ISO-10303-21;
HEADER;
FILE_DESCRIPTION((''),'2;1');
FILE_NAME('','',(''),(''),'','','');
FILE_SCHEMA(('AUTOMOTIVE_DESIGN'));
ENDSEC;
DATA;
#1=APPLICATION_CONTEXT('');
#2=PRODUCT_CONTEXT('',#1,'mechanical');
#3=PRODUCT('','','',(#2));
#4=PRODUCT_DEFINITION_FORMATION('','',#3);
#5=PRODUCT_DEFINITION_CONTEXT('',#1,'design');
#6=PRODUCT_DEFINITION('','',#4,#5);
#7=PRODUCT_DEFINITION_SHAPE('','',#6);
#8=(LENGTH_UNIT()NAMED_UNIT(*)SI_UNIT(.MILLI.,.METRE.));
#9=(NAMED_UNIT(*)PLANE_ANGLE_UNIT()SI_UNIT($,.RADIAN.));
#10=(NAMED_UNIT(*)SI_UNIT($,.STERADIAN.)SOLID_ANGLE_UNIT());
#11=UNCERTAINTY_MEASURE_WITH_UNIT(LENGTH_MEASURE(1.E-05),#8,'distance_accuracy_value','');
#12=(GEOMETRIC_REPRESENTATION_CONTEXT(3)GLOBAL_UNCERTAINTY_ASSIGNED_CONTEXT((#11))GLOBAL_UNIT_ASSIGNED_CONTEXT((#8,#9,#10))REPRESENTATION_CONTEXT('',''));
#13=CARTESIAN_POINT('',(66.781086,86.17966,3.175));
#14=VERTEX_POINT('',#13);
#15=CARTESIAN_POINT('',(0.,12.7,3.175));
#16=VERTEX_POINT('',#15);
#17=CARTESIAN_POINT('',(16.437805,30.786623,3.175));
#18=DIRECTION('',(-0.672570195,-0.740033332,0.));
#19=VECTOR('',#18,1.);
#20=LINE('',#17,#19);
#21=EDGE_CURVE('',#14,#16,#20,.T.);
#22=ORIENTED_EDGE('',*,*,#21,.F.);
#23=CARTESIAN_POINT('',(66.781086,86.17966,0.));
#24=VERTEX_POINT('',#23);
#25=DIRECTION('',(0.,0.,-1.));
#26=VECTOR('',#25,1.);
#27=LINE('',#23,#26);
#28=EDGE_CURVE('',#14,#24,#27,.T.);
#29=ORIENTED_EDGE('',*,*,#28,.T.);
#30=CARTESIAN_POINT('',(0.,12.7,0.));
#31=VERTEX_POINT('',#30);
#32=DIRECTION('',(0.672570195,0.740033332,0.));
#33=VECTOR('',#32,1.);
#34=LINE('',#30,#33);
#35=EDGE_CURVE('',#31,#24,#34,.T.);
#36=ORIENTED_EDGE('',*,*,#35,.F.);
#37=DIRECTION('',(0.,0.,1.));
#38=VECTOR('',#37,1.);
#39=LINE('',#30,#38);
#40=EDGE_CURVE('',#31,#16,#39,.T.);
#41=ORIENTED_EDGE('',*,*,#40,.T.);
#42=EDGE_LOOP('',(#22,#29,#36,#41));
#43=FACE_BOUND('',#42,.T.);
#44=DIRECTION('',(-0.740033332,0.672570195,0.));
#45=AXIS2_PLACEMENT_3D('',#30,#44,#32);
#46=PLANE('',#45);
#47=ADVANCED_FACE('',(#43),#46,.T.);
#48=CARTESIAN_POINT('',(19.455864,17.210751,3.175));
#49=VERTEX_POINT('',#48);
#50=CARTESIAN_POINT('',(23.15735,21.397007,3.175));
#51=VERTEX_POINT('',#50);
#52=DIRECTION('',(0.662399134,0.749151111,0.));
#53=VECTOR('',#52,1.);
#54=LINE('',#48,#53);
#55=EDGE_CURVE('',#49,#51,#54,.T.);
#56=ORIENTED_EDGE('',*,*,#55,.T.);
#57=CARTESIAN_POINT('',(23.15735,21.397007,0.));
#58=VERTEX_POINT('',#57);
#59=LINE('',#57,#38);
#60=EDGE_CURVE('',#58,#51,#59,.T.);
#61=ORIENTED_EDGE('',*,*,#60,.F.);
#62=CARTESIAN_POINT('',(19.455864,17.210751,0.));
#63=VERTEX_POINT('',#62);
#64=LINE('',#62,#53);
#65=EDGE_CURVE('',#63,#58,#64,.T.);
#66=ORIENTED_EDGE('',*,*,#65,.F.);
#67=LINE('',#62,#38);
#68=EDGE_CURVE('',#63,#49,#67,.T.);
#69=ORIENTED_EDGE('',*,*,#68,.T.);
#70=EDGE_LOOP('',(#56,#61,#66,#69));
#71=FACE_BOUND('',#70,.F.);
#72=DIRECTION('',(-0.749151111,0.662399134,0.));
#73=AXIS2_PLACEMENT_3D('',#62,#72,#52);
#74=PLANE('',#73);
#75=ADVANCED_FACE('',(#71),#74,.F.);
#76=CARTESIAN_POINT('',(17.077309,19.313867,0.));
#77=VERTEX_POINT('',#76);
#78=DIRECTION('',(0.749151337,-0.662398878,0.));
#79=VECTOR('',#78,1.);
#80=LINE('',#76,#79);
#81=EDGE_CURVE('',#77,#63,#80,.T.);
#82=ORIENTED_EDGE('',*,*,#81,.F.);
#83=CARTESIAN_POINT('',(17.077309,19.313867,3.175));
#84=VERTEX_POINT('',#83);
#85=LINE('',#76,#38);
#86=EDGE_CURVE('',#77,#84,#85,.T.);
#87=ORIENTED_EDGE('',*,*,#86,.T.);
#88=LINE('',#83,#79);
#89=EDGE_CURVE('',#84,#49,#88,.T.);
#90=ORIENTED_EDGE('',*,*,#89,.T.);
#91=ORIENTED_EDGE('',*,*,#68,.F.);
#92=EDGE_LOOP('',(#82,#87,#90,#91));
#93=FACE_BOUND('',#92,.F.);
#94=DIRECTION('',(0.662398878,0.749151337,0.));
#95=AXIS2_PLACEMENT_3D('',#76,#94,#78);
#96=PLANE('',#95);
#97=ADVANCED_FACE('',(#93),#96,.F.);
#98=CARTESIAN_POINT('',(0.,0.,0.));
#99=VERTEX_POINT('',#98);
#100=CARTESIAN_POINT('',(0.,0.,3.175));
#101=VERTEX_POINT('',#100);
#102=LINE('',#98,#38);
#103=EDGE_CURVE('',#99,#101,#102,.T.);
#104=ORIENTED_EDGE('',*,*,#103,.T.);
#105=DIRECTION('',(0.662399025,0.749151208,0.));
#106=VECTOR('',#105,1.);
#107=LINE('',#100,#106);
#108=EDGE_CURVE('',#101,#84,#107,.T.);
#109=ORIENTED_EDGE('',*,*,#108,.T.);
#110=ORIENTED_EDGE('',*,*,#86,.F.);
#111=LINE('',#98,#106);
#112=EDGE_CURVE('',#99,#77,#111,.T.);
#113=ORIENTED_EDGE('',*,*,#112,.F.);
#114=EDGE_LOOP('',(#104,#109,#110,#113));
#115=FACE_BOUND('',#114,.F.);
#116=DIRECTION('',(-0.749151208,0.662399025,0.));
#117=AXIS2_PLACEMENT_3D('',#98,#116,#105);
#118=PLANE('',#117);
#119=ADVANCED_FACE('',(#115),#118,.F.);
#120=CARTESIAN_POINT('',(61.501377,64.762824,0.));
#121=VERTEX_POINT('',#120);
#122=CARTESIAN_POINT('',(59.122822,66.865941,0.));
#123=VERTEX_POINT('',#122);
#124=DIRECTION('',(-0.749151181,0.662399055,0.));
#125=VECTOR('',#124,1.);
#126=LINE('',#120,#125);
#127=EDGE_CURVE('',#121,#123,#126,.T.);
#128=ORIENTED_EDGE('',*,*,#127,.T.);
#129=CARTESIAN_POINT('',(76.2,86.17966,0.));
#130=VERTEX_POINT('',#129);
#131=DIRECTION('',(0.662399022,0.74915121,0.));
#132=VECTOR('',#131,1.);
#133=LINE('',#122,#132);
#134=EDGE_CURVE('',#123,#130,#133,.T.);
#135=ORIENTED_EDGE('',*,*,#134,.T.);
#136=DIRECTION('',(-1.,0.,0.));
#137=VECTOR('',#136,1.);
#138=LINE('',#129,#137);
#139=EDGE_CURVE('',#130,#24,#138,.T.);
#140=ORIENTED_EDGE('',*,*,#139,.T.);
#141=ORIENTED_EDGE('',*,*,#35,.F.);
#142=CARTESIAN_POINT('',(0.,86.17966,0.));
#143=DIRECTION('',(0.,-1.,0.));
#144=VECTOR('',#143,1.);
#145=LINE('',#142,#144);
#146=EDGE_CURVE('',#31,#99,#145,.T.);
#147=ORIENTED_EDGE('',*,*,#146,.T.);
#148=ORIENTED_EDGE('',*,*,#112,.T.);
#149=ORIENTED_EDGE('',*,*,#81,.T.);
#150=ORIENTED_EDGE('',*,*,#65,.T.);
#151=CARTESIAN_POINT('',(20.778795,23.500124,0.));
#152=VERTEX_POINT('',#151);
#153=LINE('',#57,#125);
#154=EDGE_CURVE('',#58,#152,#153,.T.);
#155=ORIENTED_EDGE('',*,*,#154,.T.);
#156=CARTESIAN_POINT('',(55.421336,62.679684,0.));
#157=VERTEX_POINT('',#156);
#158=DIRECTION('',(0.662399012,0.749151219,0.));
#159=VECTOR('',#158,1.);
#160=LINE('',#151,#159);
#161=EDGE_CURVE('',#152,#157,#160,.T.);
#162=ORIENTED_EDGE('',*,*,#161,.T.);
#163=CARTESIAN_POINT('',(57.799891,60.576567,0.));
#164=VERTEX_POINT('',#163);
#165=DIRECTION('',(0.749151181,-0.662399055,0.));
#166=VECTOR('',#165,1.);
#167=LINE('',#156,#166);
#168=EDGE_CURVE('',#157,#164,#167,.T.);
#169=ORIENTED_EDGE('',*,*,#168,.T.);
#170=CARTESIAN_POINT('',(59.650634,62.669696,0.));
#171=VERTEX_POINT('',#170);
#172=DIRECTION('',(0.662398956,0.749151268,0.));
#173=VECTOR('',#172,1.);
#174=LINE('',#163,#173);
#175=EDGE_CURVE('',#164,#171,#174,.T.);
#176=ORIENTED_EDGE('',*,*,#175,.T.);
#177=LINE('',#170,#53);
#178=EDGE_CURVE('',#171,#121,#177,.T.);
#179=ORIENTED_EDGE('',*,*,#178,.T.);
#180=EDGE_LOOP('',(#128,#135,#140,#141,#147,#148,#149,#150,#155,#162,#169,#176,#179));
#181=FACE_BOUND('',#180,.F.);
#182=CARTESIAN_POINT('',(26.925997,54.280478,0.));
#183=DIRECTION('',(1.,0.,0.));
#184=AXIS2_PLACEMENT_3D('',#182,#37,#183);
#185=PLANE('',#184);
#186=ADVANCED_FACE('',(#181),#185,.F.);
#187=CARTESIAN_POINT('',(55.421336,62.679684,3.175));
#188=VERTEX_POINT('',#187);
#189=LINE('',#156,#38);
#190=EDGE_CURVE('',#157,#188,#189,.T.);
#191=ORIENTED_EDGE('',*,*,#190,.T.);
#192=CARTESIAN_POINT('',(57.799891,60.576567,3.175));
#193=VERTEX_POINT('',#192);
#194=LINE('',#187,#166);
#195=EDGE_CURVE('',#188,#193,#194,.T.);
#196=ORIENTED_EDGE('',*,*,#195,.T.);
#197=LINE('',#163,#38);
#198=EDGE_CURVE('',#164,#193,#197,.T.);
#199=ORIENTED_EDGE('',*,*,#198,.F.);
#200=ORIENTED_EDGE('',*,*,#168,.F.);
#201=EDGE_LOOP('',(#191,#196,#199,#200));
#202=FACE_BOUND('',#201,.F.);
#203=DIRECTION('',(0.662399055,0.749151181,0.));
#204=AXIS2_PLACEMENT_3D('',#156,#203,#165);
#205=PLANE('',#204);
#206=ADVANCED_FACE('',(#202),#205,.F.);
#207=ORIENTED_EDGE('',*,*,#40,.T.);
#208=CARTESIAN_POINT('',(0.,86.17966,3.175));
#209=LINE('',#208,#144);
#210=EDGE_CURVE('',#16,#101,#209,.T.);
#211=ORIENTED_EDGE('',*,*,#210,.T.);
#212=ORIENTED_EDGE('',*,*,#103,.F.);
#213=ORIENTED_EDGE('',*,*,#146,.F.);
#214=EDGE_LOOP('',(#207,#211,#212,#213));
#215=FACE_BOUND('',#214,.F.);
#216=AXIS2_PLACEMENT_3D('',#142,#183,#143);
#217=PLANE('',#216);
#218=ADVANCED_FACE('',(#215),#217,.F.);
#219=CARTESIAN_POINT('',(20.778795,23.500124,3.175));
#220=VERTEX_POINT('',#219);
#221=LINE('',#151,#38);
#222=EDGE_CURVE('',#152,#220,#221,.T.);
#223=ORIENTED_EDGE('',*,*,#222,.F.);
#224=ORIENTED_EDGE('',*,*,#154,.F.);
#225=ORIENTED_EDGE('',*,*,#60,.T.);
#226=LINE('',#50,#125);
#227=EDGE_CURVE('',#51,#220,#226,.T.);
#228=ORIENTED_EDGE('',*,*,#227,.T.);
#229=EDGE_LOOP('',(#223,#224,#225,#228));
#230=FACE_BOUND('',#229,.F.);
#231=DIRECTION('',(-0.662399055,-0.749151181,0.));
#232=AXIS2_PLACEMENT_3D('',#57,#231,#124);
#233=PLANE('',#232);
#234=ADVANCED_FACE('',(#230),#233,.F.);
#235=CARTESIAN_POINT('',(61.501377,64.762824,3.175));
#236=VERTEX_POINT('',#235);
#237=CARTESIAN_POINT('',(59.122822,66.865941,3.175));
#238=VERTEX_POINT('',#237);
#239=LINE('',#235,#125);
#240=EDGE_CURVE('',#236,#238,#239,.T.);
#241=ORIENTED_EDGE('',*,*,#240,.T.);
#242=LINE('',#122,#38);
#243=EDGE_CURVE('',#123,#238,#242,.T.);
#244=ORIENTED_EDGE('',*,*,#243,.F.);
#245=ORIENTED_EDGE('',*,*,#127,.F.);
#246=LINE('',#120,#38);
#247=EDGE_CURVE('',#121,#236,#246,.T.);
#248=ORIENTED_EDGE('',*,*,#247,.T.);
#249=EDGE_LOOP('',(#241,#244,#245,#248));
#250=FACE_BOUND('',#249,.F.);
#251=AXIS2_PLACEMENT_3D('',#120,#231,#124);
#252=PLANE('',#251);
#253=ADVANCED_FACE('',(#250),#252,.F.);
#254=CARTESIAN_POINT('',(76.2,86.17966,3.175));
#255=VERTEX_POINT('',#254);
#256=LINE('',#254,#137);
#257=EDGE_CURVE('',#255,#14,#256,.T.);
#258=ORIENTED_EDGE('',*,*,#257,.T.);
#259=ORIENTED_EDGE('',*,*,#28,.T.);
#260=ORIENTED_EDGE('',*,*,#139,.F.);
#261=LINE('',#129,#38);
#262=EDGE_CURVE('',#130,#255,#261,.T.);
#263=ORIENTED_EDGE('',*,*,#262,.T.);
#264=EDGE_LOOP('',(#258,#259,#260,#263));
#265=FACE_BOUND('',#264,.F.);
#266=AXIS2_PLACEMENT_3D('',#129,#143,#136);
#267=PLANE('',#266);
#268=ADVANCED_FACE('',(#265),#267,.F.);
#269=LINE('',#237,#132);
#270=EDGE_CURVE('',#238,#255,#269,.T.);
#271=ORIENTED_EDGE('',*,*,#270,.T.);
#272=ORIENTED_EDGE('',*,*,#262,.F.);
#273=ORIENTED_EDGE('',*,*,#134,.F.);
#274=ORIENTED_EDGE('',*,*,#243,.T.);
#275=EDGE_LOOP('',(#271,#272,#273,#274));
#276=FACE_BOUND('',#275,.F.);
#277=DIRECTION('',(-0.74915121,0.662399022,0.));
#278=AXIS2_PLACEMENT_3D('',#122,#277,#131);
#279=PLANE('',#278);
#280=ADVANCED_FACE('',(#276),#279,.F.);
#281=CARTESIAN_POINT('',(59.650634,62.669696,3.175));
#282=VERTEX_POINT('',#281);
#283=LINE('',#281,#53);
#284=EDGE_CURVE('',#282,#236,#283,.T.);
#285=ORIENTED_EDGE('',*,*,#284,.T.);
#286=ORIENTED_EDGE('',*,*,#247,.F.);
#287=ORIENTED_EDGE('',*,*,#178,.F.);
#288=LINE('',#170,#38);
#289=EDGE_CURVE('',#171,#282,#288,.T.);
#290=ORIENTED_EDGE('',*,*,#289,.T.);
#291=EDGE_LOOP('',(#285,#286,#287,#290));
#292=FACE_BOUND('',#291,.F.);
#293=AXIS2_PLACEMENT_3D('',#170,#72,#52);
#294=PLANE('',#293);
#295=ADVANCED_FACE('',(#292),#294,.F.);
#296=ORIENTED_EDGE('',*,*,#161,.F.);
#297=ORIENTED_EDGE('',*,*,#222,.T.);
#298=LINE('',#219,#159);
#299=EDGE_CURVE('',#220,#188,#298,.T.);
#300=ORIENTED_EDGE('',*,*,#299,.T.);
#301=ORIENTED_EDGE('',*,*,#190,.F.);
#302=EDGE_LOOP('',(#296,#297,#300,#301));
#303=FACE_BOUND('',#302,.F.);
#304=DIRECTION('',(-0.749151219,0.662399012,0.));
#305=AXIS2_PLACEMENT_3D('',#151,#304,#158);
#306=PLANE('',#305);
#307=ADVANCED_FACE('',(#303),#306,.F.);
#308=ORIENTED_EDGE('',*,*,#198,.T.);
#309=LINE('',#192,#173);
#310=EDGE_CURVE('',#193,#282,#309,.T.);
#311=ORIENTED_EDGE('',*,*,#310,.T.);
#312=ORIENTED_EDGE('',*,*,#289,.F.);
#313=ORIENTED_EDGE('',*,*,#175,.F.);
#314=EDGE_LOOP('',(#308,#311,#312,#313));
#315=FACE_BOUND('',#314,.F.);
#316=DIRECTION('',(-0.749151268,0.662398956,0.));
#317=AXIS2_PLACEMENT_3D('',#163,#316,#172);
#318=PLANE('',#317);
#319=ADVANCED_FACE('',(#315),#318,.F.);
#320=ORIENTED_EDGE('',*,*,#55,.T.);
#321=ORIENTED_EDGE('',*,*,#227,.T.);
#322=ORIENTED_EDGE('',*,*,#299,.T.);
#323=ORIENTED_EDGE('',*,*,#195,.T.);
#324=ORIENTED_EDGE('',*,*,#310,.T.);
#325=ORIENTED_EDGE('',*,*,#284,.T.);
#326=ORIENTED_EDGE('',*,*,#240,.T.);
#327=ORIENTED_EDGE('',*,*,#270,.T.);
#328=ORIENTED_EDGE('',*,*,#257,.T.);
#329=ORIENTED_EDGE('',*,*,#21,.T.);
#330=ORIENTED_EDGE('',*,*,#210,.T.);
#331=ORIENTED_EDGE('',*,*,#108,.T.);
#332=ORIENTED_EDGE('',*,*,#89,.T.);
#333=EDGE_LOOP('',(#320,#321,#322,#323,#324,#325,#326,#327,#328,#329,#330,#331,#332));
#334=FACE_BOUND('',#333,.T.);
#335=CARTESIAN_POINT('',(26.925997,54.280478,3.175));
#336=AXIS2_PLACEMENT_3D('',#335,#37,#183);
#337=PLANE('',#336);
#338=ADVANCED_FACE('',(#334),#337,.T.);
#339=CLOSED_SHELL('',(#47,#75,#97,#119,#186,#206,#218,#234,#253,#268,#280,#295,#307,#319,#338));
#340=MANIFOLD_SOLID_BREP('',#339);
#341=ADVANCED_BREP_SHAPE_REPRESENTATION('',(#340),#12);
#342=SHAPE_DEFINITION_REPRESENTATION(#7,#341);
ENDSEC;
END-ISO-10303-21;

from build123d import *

# Parameters (mm, degrees)
F1_DEPTH = 3.175
F3_DEPTH = 25.4


with BuildPart() as f1:
    # F0 (on Top) → F1 (new body)
    with BuildSketch(Plane.XY):
        Polygon((0, 86.17966), (0, 0), (17.077309, 19.313867), (19.455864, 17.210751), (23.15735, 21.397007), (20.778795, 23.500124), (55.421336, 62.679684), (57.799891, 60.576567), (59.650634, 62.669696), (61.501377, 64.762824), (59.122822, 66.865941), (76.2, 86.17966), align=None)
    extrude(amount=F1_DEPTH)

    # F2 (on Top) → F3 (cut)
    with BuildSketch(Plane.XY):
        Polygon((0, 91.078676), (0, 12.7), (71.233496, 91.078676), align=None)
    extrude(amount=F3_DEPTH, mode=Mode.SUBTRACT)


solid = f1.part
